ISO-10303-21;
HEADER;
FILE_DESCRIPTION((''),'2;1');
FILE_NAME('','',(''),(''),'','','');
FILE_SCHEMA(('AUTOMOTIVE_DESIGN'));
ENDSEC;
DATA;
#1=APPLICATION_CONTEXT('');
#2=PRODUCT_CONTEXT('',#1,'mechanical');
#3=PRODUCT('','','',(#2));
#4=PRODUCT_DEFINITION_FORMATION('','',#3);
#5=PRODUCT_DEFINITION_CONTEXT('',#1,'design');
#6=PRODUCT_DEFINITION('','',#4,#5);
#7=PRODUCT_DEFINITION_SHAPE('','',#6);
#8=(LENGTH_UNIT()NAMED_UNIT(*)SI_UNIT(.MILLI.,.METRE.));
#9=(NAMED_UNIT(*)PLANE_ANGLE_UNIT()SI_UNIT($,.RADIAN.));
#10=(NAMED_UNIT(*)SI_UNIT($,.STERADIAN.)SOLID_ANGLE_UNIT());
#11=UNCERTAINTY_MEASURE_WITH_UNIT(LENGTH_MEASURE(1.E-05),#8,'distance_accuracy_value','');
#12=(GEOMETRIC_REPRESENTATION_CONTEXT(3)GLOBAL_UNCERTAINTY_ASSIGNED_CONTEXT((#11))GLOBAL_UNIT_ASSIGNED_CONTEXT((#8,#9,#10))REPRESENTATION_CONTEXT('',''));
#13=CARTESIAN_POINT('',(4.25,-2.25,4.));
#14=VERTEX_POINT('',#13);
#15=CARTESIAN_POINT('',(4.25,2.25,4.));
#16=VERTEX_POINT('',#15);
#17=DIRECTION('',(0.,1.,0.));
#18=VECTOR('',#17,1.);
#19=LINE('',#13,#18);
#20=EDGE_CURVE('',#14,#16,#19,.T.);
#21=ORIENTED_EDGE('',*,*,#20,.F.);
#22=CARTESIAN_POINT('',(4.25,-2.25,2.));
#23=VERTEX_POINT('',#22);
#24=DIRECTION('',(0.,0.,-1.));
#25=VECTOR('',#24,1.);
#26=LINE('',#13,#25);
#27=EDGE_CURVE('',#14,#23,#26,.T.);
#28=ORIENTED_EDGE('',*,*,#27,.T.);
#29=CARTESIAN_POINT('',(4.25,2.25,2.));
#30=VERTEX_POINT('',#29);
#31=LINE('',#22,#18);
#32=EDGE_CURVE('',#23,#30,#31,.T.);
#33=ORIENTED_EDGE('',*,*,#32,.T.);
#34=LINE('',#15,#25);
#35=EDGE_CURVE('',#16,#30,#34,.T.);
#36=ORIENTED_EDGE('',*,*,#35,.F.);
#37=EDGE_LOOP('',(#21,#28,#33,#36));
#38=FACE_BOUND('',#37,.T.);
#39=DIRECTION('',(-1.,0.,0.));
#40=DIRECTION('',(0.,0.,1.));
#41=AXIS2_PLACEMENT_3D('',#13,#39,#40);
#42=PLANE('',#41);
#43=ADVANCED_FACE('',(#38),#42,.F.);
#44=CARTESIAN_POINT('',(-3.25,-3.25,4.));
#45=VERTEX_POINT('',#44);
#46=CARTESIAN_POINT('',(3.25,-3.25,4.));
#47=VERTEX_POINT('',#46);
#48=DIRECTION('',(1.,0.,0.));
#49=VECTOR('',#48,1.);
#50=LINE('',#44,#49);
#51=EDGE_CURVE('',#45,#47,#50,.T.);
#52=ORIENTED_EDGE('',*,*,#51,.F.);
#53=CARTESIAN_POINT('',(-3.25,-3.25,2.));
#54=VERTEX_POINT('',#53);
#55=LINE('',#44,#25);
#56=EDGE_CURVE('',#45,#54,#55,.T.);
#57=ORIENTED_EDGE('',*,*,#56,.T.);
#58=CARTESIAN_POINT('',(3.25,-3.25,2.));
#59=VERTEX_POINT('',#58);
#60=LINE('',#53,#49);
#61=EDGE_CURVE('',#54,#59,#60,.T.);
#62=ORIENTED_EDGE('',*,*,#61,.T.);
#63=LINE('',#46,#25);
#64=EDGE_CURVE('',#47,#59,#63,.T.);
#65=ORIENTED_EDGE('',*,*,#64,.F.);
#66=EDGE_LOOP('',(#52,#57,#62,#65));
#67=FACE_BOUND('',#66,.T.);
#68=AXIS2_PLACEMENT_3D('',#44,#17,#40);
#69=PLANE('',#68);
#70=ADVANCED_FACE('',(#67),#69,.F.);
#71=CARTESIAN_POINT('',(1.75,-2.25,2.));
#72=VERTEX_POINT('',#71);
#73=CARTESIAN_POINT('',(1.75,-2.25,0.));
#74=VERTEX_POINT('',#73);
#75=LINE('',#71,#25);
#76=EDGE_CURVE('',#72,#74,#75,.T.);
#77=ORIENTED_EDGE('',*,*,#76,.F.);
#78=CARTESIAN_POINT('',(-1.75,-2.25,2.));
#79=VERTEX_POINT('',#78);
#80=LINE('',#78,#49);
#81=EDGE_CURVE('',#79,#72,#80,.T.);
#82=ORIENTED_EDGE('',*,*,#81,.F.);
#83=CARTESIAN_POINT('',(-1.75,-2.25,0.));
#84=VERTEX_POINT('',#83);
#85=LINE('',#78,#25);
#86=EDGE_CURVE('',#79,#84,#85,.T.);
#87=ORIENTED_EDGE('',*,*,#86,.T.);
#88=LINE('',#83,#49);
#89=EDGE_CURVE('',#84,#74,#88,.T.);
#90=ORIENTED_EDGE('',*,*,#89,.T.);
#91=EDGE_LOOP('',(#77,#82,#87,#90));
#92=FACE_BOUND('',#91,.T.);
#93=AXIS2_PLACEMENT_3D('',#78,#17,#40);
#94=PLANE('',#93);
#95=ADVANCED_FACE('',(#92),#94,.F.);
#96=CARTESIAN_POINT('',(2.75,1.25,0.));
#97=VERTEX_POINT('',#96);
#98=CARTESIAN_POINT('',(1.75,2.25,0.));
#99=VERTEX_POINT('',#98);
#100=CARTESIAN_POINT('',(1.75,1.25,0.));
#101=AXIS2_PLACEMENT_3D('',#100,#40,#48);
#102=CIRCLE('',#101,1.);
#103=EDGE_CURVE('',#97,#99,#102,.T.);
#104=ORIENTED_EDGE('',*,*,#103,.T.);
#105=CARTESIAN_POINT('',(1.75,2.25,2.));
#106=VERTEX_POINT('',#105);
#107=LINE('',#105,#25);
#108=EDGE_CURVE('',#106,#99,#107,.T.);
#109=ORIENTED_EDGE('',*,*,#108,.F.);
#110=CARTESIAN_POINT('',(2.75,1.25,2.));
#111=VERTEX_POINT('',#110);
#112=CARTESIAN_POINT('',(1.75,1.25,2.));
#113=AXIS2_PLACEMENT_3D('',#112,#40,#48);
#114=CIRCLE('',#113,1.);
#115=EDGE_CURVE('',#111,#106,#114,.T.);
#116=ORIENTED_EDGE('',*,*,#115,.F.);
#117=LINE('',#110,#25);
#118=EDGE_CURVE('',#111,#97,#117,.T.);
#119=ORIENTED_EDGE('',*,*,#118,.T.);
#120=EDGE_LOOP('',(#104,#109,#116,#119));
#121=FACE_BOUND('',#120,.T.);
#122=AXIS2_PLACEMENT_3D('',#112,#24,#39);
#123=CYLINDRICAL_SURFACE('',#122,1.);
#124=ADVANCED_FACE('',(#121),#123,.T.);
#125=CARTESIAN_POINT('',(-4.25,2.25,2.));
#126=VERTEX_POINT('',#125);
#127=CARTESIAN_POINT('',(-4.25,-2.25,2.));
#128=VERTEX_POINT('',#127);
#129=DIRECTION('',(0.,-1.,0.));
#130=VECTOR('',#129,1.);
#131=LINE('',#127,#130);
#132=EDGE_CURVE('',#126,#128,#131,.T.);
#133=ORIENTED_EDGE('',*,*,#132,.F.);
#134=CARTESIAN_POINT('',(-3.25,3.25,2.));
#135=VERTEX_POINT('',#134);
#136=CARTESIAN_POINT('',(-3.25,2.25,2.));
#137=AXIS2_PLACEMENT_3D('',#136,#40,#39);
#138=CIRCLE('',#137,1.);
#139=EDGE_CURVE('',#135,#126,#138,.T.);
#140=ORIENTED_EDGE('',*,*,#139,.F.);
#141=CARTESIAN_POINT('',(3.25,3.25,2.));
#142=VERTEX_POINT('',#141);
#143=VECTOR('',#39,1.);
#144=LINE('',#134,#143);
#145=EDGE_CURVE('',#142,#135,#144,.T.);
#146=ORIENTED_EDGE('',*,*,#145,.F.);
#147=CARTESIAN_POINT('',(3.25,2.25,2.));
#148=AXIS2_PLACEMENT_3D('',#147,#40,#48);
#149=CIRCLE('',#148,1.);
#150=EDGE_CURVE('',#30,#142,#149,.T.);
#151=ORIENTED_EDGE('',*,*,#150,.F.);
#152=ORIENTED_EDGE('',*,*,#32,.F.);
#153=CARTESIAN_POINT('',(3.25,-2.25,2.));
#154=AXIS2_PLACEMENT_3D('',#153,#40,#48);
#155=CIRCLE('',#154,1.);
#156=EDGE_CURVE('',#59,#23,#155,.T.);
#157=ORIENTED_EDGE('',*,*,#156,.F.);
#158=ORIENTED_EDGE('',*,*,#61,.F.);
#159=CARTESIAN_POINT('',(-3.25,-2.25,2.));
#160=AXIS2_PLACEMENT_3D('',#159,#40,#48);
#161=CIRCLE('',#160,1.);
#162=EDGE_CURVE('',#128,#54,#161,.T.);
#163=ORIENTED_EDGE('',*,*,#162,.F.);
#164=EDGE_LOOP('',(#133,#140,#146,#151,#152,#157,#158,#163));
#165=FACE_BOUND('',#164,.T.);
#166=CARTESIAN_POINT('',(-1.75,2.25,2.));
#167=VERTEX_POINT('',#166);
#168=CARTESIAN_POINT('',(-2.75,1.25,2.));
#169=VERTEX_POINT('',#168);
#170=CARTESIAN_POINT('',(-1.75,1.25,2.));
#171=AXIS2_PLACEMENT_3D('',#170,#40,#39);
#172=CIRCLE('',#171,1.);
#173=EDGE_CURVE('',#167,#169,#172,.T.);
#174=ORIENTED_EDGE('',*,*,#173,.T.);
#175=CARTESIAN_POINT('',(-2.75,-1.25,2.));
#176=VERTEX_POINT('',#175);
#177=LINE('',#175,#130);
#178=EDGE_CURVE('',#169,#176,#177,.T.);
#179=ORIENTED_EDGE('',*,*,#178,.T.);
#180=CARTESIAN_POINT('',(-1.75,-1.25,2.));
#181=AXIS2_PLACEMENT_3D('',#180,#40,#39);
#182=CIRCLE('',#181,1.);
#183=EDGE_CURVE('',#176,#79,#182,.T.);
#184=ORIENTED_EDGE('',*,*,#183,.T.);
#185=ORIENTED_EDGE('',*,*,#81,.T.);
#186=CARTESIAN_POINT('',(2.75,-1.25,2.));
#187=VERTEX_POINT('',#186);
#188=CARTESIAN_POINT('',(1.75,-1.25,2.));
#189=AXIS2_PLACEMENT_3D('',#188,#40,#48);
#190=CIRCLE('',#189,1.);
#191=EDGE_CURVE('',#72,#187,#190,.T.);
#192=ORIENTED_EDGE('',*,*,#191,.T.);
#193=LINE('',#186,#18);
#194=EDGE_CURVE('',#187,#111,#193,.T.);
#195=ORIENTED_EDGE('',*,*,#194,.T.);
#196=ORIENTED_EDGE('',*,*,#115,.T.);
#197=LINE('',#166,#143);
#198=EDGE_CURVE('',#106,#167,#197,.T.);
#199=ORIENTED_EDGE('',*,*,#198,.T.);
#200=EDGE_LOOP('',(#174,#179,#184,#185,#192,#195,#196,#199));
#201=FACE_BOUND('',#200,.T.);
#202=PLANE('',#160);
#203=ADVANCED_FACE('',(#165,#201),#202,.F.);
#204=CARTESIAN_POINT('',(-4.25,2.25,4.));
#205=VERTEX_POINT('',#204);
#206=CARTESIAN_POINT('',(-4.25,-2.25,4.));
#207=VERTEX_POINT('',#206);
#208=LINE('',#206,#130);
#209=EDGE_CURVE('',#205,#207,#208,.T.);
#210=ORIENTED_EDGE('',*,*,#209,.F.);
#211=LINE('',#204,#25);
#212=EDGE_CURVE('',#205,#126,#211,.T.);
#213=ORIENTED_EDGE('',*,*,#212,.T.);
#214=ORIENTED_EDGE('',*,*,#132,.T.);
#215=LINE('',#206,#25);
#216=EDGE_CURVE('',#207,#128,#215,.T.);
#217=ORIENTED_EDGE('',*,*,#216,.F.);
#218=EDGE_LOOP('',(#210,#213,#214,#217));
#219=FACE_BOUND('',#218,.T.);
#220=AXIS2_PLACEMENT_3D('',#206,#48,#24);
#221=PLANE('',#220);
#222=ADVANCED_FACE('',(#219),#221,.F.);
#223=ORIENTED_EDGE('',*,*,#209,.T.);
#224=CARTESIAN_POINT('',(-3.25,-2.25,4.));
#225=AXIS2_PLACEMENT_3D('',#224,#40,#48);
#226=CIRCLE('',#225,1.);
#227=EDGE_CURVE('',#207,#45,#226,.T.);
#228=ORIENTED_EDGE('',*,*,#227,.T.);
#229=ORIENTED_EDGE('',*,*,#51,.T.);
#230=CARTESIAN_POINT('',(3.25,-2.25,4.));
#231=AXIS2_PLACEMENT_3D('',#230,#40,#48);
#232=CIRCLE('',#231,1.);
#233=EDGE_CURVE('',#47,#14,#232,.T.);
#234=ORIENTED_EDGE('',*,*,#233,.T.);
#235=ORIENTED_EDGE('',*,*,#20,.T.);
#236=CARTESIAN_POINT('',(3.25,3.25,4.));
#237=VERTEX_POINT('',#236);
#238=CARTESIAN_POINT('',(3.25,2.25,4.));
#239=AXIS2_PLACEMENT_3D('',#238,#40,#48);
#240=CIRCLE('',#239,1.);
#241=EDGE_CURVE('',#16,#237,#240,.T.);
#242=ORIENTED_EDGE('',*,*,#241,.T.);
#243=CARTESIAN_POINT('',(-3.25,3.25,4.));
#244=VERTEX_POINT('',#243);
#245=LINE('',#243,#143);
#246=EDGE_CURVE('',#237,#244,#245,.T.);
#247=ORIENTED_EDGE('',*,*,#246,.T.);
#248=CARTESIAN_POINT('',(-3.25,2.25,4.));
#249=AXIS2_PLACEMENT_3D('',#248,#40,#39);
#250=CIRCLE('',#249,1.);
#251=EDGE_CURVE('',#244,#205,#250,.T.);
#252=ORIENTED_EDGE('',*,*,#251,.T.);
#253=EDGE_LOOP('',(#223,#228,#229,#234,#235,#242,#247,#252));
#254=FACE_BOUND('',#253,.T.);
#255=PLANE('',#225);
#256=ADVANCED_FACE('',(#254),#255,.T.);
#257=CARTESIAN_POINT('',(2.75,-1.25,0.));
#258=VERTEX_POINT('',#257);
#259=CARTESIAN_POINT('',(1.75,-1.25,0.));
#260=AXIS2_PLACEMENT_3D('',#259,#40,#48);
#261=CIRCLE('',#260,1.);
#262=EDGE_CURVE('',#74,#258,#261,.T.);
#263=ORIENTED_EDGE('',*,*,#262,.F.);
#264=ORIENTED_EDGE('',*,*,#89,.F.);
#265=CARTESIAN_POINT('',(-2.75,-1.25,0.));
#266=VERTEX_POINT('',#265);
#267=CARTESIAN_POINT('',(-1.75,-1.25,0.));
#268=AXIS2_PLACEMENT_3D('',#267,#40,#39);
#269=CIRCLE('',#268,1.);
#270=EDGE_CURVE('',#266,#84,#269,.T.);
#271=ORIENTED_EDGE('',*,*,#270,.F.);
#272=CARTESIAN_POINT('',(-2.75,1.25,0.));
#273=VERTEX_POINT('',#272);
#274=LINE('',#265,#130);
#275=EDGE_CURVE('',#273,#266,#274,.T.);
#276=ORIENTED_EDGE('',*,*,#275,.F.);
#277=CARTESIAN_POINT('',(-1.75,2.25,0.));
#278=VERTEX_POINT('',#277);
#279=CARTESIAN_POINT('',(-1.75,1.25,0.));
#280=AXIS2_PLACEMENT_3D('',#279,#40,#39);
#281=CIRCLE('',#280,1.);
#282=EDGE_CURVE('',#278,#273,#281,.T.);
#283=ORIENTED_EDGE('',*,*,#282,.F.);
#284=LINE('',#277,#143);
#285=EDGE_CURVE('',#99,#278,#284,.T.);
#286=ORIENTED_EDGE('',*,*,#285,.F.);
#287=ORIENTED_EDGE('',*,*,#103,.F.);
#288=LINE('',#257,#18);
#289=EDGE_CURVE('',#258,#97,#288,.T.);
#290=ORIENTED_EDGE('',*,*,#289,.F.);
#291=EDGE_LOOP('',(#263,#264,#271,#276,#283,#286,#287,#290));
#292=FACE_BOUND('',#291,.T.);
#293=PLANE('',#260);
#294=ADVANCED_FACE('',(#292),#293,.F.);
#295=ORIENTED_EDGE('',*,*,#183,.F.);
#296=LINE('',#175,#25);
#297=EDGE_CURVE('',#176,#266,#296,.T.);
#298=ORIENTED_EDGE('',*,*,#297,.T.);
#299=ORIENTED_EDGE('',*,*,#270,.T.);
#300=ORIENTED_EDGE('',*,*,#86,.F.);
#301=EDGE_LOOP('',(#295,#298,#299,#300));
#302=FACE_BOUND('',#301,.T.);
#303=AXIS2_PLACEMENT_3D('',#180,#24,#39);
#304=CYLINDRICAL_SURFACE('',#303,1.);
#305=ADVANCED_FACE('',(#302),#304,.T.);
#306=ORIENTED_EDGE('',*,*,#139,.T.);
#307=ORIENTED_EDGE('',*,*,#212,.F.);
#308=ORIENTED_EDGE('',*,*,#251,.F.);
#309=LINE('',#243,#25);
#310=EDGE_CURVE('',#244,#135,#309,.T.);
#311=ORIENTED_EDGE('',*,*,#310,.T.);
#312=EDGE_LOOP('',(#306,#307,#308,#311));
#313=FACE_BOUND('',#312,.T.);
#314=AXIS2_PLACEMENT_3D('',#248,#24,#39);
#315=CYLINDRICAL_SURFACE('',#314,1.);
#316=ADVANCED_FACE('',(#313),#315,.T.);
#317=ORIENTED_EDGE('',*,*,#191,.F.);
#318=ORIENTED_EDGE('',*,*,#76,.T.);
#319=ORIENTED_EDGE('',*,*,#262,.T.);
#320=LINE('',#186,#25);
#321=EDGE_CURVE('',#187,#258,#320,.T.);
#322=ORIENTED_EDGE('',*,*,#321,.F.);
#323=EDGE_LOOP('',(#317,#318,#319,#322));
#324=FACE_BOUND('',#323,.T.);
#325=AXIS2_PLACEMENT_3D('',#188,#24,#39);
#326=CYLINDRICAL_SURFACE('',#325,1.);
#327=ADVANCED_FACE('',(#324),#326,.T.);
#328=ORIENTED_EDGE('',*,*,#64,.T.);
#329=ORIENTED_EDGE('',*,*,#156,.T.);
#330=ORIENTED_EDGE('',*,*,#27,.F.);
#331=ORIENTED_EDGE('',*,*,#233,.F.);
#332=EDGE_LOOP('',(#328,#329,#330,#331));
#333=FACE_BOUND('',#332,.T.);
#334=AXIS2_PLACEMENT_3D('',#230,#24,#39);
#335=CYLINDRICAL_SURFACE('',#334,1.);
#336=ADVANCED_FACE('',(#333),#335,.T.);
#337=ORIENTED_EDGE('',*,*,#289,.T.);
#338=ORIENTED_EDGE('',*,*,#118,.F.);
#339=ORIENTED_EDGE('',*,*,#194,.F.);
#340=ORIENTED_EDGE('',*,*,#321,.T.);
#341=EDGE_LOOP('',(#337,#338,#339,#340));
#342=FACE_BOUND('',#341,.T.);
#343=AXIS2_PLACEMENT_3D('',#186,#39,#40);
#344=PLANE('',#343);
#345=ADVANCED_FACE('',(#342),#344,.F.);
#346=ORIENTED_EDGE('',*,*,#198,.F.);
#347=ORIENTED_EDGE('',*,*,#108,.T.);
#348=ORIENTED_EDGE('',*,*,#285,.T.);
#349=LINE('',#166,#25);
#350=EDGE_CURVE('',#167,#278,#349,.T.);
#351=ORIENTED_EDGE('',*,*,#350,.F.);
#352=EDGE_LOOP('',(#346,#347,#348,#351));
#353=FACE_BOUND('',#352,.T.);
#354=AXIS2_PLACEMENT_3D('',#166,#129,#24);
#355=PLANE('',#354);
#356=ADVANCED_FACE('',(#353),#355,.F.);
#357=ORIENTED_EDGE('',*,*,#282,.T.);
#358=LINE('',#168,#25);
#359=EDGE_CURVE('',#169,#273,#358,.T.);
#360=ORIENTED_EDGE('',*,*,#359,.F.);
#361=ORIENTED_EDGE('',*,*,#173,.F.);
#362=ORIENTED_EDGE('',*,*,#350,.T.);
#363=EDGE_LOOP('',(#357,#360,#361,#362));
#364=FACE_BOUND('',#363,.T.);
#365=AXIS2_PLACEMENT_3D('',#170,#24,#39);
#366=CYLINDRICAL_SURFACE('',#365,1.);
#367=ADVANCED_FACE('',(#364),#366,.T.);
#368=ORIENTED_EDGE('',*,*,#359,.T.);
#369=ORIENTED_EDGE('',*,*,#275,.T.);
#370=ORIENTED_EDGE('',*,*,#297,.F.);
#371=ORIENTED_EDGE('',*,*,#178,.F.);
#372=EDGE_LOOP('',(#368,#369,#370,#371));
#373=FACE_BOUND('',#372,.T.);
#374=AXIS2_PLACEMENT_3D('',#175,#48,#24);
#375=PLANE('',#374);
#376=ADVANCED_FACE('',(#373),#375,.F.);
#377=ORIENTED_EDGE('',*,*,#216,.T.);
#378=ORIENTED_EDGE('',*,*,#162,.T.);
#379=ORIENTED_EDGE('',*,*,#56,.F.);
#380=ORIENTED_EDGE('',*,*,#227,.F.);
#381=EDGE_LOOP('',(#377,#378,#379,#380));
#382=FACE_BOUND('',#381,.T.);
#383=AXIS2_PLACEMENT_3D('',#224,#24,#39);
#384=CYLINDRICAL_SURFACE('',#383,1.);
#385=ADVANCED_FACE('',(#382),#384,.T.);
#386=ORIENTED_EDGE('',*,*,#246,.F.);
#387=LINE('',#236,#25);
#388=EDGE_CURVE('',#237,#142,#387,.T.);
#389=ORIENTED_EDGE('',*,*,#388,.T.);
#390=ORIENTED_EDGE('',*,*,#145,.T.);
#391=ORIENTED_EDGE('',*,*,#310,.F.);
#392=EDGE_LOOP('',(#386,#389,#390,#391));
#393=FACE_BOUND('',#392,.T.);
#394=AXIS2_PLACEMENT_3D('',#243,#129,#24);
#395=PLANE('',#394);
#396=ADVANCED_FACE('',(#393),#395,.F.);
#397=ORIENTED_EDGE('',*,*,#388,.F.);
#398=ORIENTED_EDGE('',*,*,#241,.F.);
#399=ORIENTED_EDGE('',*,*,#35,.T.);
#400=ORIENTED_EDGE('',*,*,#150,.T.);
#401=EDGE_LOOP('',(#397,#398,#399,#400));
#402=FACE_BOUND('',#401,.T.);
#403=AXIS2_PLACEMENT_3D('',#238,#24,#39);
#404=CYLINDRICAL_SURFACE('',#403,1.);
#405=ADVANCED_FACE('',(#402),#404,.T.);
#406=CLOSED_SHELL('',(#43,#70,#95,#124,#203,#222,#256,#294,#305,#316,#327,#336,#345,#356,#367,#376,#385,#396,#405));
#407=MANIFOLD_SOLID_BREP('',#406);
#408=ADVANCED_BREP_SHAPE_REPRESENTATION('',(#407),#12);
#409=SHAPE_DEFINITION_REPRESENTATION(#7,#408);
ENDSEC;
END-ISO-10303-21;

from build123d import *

# Parameters (mm, degrees)
EXTRUDE_1_DEPTH = 2
EXTRUDE_2_DEPTH = 2


with BuildPart() as part:
    # Эскиз1 → Бобышка-Вытянуть1 (new body)
    with BuildSketch(Plane.XY):
        with BuildLine():
            Line((-1.75, -2.25), (1.75, -2.25))
            ThreePointArc((1.75, -2.25), (2.457106781, -1.957106781), (2.75, -1.25))
            Line((2.75, -1.25), (2.75, 1.25))
            ThreePointArc((2.75, 1.25), (2.457106781, 1.957106781), (1.75, 2.25))
            Line((1.75, 2.25), (-1.75, 2.25))
            ThreePointArc((-1.75, 2.25), (-2.457106781, 1.957106781), (-2.75, 1.25))
            Line((-2.75, 1.25), (-2.75, -1.25))
            ThreePointArc((-2.75, -1.25), (-2.457106781, -1.957106781), (-1.75, -2.25))
        make_face()
    extrude(amount=EXTRUDE_1_DEPTH)

    # Эскиз2 → Бобышка-Вытянуть2 (add)
    with BuildSketch(Plane.XY.offset(2)):
        with BuildLine():
            Line((-3.25, -3.25), (3.25, -3.25))
            ThreePointArc((3.25, -3.25), (3.957106781, -2.957106781), (4.25, -2.25))
            Line((4.25, -2.25), (4.25, 2.25))
            ThreePointArc((4.25, 2.25), (3.957106781, 2.957106781), (3.25, 3.25))
            Line((3.25, 3.25), (-3.25, 3.25))
            ThreePointArc((-3.25, 3.25), (-3.957106781, 2.957106781), (-4.25, 2.25))
            Line((-4.25, 2.25), (-4.25, -2.25))
            ThreePointArc((-4.25, -2.25), (-3.957106781, -2.957106781), (-3.25, -3.25))
        make_face()
    extrude(amount=EXTRUDE_2_DEPTH)


solid = part.part
